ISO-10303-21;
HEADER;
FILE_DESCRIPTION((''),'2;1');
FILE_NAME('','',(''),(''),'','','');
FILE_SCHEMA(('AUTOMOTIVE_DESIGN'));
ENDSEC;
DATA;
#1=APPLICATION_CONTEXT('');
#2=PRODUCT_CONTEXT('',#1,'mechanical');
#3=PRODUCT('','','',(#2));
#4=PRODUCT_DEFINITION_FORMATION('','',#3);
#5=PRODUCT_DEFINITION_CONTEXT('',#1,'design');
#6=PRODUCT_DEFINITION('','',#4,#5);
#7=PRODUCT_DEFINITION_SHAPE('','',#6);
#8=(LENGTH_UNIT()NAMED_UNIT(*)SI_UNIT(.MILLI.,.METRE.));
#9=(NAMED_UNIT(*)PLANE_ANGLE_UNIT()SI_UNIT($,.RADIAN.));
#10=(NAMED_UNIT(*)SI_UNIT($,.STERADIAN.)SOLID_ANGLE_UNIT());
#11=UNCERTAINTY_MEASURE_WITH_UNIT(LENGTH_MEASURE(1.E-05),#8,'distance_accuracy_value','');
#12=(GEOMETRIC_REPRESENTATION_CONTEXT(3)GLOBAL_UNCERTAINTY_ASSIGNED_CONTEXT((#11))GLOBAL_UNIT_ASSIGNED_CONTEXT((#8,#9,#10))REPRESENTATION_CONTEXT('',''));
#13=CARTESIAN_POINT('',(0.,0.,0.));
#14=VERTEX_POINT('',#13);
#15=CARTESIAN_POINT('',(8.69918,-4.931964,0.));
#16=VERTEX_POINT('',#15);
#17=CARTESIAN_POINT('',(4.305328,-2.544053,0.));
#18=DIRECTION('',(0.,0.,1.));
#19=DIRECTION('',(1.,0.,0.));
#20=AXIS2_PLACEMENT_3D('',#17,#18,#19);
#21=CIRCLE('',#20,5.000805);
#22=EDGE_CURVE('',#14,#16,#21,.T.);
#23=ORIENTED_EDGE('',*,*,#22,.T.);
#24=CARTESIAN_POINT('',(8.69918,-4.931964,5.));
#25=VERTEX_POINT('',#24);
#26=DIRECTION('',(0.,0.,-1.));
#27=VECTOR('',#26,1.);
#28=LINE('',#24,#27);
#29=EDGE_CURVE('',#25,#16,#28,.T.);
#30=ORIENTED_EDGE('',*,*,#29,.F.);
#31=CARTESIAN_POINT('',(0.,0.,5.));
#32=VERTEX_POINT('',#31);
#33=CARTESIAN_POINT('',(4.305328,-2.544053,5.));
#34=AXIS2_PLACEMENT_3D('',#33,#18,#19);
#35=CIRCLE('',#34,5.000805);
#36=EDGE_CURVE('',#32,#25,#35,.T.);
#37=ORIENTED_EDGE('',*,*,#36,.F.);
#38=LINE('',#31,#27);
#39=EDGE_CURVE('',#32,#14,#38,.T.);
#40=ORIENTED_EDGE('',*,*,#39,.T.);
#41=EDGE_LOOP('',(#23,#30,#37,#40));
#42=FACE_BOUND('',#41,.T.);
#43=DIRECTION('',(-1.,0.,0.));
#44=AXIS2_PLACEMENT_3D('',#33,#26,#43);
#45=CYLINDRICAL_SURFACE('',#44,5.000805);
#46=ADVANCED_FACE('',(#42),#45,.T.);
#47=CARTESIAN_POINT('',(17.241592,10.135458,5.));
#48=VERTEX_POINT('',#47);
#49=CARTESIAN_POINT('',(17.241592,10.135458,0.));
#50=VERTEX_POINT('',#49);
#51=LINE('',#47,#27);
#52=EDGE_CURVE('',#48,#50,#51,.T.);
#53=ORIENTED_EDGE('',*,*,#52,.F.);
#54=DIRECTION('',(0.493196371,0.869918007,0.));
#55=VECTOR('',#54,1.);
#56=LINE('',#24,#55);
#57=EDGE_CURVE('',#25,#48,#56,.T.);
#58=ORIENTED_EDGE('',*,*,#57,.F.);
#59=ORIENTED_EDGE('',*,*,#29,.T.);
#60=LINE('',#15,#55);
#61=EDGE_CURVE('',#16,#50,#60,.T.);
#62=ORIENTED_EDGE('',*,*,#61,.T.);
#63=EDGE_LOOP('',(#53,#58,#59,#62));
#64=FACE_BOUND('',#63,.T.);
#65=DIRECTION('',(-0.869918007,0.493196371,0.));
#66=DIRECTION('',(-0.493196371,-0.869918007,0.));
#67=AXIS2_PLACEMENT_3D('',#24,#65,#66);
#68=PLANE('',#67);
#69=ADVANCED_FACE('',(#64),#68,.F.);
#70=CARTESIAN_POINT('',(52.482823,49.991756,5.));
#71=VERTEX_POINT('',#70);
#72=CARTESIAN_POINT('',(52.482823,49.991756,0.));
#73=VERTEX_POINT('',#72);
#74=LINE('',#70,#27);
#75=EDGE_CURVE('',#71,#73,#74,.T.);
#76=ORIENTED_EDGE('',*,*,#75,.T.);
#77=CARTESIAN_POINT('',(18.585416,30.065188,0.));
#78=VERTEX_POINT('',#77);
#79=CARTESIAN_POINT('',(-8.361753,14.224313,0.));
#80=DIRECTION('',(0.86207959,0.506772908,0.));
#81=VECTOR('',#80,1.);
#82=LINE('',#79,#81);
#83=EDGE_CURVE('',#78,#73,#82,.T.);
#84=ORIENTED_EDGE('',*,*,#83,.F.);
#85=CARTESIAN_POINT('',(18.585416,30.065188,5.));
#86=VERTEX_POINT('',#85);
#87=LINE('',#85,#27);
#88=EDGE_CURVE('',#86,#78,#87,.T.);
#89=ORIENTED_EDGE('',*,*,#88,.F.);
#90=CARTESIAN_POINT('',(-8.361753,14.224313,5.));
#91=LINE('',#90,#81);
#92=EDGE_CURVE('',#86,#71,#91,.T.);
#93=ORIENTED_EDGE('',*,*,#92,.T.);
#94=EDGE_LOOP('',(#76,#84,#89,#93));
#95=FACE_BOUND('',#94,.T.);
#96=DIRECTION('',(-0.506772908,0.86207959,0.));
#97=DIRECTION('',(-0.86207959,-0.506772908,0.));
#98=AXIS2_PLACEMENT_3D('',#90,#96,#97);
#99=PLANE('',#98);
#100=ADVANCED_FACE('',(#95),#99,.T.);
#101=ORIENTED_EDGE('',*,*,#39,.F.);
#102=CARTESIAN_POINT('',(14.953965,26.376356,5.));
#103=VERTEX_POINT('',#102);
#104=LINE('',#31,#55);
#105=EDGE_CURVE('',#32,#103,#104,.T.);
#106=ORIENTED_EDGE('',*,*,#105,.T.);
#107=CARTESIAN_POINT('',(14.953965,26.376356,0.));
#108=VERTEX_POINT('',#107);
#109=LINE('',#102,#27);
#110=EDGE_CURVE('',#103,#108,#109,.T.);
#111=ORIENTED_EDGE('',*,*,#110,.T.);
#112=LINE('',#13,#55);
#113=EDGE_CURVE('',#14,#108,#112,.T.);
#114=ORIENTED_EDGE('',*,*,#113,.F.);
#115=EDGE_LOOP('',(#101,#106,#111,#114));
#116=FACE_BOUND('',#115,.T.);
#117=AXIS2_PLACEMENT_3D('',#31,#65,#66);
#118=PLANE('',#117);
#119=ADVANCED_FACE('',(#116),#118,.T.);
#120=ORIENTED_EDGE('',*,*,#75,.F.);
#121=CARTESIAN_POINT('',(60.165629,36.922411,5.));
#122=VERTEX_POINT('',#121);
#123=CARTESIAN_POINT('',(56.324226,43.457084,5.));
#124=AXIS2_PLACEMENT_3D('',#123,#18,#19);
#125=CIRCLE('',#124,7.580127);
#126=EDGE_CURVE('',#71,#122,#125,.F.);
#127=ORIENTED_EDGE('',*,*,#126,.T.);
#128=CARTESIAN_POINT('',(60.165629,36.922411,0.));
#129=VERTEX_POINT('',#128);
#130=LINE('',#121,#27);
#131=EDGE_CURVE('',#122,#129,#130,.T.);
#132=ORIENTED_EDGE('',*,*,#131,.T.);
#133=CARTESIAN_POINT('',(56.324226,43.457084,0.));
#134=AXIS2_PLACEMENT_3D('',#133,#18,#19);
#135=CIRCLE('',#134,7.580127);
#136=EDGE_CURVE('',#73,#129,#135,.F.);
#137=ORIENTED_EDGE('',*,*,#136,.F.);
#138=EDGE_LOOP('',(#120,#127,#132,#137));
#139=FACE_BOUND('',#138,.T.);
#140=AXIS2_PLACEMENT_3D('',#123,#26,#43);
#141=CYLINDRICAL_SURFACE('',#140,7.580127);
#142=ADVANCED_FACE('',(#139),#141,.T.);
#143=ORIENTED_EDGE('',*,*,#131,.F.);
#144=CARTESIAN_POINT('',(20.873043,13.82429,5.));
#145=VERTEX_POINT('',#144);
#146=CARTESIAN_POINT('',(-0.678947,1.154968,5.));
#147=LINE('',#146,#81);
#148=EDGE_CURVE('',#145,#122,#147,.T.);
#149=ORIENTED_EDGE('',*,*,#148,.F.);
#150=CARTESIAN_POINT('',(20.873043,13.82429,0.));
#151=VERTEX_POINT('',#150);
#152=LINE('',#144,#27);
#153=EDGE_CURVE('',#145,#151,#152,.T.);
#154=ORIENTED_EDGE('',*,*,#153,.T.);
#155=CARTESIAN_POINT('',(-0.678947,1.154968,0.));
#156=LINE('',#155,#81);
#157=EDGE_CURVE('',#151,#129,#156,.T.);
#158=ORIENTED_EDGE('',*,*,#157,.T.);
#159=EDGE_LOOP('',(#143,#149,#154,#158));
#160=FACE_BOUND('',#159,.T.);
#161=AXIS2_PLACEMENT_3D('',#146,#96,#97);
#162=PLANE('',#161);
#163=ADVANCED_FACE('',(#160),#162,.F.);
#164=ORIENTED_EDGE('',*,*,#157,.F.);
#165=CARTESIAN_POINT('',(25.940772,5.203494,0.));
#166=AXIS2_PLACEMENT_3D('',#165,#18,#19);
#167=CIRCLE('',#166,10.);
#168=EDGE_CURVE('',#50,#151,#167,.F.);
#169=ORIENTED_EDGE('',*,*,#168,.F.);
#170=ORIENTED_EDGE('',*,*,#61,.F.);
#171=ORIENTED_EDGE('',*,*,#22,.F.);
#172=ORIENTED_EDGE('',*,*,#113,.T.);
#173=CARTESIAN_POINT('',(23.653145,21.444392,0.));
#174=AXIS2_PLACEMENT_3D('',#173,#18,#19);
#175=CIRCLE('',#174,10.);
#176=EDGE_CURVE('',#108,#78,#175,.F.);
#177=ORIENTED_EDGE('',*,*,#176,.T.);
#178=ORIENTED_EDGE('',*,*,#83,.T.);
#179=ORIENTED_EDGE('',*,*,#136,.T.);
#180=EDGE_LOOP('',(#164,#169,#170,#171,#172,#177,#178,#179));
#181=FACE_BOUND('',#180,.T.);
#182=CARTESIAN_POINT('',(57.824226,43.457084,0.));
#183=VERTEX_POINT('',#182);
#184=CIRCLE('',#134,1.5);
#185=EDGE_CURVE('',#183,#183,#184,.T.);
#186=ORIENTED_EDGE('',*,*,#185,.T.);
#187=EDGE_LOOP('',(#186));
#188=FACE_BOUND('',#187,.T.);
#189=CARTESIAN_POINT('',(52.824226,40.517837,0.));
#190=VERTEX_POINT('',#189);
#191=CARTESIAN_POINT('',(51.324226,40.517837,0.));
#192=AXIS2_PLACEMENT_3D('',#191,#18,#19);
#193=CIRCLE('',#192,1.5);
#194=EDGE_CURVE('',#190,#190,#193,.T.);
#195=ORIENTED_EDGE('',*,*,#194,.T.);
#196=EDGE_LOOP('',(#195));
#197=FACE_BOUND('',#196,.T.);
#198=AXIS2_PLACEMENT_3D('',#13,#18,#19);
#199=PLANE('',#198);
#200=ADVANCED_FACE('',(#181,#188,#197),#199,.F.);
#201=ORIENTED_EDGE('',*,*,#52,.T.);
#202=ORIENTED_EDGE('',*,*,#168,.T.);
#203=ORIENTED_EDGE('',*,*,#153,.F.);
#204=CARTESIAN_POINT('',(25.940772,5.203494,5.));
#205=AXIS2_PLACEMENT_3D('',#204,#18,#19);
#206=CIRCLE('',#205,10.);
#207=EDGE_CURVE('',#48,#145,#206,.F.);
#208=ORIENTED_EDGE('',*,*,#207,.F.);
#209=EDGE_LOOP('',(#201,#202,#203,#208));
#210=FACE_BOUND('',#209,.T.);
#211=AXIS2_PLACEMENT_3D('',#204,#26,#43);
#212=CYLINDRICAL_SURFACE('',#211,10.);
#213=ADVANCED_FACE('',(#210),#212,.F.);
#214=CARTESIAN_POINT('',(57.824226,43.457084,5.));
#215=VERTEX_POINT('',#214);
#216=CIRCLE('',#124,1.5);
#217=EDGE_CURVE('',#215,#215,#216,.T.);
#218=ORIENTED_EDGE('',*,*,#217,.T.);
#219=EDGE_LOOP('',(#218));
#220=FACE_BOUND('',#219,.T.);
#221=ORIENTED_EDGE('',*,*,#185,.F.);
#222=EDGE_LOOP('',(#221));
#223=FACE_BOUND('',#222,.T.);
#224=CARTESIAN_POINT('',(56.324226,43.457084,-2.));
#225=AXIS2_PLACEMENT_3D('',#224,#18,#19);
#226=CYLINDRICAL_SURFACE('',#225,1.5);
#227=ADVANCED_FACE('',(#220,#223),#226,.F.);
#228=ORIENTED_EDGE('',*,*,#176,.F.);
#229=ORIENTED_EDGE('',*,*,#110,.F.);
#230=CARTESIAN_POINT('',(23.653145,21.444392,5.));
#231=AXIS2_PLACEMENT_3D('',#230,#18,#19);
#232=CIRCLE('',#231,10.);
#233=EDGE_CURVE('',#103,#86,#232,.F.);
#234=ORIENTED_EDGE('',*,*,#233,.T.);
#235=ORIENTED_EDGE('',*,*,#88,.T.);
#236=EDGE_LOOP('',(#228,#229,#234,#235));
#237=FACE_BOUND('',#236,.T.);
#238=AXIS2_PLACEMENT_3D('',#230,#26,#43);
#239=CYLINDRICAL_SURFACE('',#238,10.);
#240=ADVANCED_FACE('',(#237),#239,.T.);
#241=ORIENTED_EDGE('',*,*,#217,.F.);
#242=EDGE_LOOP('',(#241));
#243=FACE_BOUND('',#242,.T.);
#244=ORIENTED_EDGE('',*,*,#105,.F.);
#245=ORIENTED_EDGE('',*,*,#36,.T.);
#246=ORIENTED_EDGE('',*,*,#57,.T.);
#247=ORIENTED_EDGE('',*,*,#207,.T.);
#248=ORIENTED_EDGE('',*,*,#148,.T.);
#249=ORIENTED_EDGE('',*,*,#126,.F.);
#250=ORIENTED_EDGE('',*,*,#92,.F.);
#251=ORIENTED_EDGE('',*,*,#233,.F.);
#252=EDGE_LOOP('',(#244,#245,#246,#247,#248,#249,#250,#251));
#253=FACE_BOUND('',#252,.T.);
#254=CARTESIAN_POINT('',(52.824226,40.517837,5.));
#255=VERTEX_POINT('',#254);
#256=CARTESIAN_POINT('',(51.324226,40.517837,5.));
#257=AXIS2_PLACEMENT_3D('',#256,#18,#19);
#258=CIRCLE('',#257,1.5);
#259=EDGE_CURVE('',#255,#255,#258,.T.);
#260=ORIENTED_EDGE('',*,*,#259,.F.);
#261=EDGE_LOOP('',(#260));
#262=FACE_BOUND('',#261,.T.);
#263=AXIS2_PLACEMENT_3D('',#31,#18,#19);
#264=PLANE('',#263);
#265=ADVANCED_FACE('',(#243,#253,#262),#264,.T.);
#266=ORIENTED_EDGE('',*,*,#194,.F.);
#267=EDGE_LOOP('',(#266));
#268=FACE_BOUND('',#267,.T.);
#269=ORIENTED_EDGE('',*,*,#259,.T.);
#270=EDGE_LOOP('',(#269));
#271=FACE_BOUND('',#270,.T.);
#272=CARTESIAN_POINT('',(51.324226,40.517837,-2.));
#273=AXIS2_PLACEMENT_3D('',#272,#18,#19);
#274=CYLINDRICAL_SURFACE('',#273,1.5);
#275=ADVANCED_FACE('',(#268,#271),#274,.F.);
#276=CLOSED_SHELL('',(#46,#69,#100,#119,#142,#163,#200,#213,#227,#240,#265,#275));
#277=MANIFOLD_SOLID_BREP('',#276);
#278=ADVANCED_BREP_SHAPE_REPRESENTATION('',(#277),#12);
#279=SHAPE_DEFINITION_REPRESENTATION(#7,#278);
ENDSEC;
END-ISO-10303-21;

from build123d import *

# Parameters (mm, degrees)
BOSS_EXTRUDE1_DEPTH = 5
SKETCH4_R           = 1.5
CUT_EXTRUDE1_DEPTH  = 7


with BuildPart() as part:
    # Sketch3 → Boss-Extrude1 (new body)
    with BuildSketch(Plane.XY):
        with BuildLine():
            Line((0, 0), (14.953964561, 26.376355963))
            ThreePointArc((14.953964561, 26.376355963), (16.526868073, 28.459816854), (18.585415556, 30.065188152))
            Line((18.585415556, 30.065188152), (52.482823047, 49.991756364))
            ThreePointArc((52.482823047, 49.991756364), (62.858898852, 47.298486579), (60.165629068, 36.922410774))
            Line((60.165629068, 36.922410774), (20.8730428, 13.824290344))
            ThreePointArc((20.8730428, 13.824290344), (18.814495317, 12.218919046), (17.241591805, 10.135458155))
            Line((17.241591805, 10.135458155), (8.699180072, -4.931963714))
            ThreePointArc((8.699180072, -4.931963714), (1.838948591, -6.894344126), (0, 0))
        make_face()
    extrude(amount=BOSS_EXTRUDE1_DEPTH)

    # Sketch4 → Cut-Extrude1 (cut)
    with BuildSketch(Plane.XY.offset(5)):
        with Locations((56.324226058, 43.457083569)):
            Circle(SKETCH4_R)
        with Locations((51.324226058, 40.517836929)):
            Circle(SKETCH4_R)
    extrude(amount=-CUT_EXTRUDE1_DEPTH, mode=Mode.SUBTRACT)


solid = part.part
